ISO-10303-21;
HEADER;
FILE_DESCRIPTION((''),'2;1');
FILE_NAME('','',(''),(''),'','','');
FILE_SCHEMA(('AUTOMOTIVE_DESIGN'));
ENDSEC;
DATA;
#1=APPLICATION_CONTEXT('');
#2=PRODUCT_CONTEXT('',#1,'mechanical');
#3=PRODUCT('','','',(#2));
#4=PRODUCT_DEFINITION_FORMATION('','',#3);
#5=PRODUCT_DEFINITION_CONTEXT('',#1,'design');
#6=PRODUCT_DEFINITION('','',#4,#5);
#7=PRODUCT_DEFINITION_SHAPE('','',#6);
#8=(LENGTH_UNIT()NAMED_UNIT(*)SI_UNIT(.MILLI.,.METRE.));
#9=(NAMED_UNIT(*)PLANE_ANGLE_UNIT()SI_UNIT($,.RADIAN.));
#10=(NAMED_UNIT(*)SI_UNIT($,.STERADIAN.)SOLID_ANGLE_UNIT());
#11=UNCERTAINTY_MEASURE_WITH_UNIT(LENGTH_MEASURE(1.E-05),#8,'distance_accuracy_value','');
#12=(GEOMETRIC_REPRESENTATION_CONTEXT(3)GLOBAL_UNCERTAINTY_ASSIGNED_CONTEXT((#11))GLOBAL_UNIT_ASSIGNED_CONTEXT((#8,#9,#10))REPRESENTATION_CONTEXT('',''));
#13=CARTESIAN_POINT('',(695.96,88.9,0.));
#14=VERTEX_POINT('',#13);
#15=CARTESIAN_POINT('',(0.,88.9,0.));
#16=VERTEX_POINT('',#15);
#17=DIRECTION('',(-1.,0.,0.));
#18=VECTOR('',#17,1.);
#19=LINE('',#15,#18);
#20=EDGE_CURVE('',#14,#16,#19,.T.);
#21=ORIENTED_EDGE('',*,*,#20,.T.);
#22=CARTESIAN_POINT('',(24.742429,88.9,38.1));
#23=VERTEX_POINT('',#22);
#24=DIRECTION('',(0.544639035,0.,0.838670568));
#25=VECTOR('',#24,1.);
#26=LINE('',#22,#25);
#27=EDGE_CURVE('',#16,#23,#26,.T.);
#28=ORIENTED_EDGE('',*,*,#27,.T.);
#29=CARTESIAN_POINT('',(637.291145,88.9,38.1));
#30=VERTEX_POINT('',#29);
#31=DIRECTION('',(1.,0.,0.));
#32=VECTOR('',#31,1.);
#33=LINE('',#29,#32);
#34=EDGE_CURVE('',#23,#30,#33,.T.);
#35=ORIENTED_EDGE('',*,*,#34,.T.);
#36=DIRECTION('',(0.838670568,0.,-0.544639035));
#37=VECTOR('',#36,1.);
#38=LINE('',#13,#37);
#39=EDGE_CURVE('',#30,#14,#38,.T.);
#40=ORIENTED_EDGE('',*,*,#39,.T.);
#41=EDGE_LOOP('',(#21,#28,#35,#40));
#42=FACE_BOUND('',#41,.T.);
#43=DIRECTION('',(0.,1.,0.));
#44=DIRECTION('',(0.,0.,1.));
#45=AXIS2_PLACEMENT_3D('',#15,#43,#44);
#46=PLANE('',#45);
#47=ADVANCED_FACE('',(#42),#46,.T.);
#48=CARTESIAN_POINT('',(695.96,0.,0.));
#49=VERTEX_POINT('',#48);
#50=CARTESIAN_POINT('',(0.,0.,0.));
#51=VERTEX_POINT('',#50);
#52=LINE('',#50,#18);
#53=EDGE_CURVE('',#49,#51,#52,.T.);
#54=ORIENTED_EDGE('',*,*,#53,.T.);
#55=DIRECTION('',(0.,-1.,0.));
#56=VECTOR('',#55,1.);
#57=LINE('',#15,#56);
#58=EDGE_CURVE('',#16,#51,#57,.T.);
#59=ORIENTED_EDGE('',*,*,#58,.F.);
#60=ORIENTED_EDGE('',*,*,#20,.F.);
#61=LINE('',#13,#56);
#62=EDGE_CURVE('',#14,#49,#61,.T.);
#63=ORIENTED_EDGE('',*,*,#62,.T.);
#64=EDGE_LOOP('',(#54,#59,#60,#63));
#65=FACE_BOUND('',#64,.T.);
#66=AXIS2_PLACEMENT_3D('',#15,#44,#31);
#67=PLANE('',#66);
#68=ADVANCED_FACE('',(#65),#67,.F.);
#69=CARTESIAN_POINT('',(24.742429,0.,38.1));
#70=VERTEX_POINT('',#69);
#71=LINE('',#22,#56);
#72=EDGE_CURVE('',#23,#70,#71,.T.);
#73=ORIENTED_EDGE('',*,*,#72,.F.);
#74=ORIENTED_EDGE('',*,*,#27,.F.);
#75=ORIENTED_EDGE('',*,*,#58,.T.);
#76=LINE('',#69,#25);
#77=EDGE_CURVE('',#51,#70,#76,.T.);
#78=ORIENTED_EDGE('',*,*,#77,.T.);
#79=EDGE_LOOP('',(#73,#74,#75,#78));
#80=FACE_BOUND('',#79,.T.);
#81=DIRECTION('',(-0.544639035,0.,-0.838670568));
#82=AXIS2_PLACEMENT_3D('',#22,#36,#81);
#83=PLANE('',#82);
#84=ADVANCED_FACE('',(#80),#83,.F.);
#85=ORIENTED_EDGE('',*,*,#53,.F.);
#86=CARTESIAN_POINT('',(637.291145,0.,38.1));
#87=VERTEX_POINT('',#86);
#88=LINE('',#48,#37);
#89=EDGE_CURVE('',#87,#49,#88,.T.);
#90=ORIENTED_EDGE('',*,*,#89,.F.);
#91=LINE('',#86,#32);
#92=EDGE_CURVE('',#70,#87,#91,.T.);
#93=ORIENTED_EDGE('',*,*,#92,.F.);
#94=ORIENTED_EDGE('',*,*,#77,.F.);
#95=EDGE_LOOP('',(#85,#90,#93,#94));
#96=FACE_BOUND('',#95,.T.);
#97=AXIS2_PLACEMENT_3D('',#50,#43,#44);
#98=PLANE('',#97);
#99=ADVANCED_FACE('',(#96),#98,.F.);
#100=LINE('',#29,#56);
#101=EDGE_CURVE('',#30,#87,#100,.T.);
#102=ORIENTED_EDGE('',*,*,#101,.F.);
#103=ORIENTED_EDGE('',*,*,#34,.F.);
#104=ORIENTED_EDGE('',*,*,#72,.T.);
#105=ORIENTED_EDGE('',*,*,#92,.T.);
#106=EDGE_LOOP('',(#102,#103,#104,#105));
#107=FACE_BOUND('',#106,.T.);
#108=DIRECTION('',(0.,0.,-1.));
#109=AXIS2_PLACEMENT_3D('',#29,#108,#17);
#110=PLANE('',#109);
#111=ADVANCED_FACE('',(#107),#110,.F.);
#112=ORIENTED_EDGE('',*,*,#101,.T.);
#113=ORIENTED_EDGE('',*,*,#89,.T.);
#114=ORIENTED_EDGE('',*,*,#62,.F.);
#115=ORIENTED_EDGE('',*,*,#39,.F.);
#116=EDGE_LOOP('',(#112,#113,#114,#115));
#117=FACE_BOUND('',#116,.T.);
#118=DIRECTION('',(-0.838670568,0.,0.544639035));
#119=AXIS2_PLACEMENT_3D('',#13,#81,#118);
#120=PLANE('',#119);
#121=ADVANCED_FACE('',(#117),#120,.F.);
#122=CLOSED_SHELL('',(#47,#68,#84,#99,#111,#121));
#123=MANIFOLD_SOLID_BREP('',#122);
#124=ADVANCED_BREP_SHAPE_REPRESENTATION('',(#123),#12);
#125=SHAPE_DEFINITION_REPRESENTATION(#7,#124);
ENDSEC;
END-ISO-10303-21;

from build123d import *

# Parameters (mm, degrees)
BOSS_EXTRUDE1_DEPTH = 88.9


with BuildPart() as part:
    # Sketch1 → Boss-Extrude1 (new body)
    with BuildSketch(Plane(origin=(0, 0, 0), x_dir=(1, 0, 0), z_dir=(0, 1, 0))):
        Polygon((0, 0), (695.96, 0), (637.291144879, -38.1), (24.742429301, -38.1), align=None)
    extrude(amount=BOSS_EXTRUDE1_DEPTH)


solid = part.part
